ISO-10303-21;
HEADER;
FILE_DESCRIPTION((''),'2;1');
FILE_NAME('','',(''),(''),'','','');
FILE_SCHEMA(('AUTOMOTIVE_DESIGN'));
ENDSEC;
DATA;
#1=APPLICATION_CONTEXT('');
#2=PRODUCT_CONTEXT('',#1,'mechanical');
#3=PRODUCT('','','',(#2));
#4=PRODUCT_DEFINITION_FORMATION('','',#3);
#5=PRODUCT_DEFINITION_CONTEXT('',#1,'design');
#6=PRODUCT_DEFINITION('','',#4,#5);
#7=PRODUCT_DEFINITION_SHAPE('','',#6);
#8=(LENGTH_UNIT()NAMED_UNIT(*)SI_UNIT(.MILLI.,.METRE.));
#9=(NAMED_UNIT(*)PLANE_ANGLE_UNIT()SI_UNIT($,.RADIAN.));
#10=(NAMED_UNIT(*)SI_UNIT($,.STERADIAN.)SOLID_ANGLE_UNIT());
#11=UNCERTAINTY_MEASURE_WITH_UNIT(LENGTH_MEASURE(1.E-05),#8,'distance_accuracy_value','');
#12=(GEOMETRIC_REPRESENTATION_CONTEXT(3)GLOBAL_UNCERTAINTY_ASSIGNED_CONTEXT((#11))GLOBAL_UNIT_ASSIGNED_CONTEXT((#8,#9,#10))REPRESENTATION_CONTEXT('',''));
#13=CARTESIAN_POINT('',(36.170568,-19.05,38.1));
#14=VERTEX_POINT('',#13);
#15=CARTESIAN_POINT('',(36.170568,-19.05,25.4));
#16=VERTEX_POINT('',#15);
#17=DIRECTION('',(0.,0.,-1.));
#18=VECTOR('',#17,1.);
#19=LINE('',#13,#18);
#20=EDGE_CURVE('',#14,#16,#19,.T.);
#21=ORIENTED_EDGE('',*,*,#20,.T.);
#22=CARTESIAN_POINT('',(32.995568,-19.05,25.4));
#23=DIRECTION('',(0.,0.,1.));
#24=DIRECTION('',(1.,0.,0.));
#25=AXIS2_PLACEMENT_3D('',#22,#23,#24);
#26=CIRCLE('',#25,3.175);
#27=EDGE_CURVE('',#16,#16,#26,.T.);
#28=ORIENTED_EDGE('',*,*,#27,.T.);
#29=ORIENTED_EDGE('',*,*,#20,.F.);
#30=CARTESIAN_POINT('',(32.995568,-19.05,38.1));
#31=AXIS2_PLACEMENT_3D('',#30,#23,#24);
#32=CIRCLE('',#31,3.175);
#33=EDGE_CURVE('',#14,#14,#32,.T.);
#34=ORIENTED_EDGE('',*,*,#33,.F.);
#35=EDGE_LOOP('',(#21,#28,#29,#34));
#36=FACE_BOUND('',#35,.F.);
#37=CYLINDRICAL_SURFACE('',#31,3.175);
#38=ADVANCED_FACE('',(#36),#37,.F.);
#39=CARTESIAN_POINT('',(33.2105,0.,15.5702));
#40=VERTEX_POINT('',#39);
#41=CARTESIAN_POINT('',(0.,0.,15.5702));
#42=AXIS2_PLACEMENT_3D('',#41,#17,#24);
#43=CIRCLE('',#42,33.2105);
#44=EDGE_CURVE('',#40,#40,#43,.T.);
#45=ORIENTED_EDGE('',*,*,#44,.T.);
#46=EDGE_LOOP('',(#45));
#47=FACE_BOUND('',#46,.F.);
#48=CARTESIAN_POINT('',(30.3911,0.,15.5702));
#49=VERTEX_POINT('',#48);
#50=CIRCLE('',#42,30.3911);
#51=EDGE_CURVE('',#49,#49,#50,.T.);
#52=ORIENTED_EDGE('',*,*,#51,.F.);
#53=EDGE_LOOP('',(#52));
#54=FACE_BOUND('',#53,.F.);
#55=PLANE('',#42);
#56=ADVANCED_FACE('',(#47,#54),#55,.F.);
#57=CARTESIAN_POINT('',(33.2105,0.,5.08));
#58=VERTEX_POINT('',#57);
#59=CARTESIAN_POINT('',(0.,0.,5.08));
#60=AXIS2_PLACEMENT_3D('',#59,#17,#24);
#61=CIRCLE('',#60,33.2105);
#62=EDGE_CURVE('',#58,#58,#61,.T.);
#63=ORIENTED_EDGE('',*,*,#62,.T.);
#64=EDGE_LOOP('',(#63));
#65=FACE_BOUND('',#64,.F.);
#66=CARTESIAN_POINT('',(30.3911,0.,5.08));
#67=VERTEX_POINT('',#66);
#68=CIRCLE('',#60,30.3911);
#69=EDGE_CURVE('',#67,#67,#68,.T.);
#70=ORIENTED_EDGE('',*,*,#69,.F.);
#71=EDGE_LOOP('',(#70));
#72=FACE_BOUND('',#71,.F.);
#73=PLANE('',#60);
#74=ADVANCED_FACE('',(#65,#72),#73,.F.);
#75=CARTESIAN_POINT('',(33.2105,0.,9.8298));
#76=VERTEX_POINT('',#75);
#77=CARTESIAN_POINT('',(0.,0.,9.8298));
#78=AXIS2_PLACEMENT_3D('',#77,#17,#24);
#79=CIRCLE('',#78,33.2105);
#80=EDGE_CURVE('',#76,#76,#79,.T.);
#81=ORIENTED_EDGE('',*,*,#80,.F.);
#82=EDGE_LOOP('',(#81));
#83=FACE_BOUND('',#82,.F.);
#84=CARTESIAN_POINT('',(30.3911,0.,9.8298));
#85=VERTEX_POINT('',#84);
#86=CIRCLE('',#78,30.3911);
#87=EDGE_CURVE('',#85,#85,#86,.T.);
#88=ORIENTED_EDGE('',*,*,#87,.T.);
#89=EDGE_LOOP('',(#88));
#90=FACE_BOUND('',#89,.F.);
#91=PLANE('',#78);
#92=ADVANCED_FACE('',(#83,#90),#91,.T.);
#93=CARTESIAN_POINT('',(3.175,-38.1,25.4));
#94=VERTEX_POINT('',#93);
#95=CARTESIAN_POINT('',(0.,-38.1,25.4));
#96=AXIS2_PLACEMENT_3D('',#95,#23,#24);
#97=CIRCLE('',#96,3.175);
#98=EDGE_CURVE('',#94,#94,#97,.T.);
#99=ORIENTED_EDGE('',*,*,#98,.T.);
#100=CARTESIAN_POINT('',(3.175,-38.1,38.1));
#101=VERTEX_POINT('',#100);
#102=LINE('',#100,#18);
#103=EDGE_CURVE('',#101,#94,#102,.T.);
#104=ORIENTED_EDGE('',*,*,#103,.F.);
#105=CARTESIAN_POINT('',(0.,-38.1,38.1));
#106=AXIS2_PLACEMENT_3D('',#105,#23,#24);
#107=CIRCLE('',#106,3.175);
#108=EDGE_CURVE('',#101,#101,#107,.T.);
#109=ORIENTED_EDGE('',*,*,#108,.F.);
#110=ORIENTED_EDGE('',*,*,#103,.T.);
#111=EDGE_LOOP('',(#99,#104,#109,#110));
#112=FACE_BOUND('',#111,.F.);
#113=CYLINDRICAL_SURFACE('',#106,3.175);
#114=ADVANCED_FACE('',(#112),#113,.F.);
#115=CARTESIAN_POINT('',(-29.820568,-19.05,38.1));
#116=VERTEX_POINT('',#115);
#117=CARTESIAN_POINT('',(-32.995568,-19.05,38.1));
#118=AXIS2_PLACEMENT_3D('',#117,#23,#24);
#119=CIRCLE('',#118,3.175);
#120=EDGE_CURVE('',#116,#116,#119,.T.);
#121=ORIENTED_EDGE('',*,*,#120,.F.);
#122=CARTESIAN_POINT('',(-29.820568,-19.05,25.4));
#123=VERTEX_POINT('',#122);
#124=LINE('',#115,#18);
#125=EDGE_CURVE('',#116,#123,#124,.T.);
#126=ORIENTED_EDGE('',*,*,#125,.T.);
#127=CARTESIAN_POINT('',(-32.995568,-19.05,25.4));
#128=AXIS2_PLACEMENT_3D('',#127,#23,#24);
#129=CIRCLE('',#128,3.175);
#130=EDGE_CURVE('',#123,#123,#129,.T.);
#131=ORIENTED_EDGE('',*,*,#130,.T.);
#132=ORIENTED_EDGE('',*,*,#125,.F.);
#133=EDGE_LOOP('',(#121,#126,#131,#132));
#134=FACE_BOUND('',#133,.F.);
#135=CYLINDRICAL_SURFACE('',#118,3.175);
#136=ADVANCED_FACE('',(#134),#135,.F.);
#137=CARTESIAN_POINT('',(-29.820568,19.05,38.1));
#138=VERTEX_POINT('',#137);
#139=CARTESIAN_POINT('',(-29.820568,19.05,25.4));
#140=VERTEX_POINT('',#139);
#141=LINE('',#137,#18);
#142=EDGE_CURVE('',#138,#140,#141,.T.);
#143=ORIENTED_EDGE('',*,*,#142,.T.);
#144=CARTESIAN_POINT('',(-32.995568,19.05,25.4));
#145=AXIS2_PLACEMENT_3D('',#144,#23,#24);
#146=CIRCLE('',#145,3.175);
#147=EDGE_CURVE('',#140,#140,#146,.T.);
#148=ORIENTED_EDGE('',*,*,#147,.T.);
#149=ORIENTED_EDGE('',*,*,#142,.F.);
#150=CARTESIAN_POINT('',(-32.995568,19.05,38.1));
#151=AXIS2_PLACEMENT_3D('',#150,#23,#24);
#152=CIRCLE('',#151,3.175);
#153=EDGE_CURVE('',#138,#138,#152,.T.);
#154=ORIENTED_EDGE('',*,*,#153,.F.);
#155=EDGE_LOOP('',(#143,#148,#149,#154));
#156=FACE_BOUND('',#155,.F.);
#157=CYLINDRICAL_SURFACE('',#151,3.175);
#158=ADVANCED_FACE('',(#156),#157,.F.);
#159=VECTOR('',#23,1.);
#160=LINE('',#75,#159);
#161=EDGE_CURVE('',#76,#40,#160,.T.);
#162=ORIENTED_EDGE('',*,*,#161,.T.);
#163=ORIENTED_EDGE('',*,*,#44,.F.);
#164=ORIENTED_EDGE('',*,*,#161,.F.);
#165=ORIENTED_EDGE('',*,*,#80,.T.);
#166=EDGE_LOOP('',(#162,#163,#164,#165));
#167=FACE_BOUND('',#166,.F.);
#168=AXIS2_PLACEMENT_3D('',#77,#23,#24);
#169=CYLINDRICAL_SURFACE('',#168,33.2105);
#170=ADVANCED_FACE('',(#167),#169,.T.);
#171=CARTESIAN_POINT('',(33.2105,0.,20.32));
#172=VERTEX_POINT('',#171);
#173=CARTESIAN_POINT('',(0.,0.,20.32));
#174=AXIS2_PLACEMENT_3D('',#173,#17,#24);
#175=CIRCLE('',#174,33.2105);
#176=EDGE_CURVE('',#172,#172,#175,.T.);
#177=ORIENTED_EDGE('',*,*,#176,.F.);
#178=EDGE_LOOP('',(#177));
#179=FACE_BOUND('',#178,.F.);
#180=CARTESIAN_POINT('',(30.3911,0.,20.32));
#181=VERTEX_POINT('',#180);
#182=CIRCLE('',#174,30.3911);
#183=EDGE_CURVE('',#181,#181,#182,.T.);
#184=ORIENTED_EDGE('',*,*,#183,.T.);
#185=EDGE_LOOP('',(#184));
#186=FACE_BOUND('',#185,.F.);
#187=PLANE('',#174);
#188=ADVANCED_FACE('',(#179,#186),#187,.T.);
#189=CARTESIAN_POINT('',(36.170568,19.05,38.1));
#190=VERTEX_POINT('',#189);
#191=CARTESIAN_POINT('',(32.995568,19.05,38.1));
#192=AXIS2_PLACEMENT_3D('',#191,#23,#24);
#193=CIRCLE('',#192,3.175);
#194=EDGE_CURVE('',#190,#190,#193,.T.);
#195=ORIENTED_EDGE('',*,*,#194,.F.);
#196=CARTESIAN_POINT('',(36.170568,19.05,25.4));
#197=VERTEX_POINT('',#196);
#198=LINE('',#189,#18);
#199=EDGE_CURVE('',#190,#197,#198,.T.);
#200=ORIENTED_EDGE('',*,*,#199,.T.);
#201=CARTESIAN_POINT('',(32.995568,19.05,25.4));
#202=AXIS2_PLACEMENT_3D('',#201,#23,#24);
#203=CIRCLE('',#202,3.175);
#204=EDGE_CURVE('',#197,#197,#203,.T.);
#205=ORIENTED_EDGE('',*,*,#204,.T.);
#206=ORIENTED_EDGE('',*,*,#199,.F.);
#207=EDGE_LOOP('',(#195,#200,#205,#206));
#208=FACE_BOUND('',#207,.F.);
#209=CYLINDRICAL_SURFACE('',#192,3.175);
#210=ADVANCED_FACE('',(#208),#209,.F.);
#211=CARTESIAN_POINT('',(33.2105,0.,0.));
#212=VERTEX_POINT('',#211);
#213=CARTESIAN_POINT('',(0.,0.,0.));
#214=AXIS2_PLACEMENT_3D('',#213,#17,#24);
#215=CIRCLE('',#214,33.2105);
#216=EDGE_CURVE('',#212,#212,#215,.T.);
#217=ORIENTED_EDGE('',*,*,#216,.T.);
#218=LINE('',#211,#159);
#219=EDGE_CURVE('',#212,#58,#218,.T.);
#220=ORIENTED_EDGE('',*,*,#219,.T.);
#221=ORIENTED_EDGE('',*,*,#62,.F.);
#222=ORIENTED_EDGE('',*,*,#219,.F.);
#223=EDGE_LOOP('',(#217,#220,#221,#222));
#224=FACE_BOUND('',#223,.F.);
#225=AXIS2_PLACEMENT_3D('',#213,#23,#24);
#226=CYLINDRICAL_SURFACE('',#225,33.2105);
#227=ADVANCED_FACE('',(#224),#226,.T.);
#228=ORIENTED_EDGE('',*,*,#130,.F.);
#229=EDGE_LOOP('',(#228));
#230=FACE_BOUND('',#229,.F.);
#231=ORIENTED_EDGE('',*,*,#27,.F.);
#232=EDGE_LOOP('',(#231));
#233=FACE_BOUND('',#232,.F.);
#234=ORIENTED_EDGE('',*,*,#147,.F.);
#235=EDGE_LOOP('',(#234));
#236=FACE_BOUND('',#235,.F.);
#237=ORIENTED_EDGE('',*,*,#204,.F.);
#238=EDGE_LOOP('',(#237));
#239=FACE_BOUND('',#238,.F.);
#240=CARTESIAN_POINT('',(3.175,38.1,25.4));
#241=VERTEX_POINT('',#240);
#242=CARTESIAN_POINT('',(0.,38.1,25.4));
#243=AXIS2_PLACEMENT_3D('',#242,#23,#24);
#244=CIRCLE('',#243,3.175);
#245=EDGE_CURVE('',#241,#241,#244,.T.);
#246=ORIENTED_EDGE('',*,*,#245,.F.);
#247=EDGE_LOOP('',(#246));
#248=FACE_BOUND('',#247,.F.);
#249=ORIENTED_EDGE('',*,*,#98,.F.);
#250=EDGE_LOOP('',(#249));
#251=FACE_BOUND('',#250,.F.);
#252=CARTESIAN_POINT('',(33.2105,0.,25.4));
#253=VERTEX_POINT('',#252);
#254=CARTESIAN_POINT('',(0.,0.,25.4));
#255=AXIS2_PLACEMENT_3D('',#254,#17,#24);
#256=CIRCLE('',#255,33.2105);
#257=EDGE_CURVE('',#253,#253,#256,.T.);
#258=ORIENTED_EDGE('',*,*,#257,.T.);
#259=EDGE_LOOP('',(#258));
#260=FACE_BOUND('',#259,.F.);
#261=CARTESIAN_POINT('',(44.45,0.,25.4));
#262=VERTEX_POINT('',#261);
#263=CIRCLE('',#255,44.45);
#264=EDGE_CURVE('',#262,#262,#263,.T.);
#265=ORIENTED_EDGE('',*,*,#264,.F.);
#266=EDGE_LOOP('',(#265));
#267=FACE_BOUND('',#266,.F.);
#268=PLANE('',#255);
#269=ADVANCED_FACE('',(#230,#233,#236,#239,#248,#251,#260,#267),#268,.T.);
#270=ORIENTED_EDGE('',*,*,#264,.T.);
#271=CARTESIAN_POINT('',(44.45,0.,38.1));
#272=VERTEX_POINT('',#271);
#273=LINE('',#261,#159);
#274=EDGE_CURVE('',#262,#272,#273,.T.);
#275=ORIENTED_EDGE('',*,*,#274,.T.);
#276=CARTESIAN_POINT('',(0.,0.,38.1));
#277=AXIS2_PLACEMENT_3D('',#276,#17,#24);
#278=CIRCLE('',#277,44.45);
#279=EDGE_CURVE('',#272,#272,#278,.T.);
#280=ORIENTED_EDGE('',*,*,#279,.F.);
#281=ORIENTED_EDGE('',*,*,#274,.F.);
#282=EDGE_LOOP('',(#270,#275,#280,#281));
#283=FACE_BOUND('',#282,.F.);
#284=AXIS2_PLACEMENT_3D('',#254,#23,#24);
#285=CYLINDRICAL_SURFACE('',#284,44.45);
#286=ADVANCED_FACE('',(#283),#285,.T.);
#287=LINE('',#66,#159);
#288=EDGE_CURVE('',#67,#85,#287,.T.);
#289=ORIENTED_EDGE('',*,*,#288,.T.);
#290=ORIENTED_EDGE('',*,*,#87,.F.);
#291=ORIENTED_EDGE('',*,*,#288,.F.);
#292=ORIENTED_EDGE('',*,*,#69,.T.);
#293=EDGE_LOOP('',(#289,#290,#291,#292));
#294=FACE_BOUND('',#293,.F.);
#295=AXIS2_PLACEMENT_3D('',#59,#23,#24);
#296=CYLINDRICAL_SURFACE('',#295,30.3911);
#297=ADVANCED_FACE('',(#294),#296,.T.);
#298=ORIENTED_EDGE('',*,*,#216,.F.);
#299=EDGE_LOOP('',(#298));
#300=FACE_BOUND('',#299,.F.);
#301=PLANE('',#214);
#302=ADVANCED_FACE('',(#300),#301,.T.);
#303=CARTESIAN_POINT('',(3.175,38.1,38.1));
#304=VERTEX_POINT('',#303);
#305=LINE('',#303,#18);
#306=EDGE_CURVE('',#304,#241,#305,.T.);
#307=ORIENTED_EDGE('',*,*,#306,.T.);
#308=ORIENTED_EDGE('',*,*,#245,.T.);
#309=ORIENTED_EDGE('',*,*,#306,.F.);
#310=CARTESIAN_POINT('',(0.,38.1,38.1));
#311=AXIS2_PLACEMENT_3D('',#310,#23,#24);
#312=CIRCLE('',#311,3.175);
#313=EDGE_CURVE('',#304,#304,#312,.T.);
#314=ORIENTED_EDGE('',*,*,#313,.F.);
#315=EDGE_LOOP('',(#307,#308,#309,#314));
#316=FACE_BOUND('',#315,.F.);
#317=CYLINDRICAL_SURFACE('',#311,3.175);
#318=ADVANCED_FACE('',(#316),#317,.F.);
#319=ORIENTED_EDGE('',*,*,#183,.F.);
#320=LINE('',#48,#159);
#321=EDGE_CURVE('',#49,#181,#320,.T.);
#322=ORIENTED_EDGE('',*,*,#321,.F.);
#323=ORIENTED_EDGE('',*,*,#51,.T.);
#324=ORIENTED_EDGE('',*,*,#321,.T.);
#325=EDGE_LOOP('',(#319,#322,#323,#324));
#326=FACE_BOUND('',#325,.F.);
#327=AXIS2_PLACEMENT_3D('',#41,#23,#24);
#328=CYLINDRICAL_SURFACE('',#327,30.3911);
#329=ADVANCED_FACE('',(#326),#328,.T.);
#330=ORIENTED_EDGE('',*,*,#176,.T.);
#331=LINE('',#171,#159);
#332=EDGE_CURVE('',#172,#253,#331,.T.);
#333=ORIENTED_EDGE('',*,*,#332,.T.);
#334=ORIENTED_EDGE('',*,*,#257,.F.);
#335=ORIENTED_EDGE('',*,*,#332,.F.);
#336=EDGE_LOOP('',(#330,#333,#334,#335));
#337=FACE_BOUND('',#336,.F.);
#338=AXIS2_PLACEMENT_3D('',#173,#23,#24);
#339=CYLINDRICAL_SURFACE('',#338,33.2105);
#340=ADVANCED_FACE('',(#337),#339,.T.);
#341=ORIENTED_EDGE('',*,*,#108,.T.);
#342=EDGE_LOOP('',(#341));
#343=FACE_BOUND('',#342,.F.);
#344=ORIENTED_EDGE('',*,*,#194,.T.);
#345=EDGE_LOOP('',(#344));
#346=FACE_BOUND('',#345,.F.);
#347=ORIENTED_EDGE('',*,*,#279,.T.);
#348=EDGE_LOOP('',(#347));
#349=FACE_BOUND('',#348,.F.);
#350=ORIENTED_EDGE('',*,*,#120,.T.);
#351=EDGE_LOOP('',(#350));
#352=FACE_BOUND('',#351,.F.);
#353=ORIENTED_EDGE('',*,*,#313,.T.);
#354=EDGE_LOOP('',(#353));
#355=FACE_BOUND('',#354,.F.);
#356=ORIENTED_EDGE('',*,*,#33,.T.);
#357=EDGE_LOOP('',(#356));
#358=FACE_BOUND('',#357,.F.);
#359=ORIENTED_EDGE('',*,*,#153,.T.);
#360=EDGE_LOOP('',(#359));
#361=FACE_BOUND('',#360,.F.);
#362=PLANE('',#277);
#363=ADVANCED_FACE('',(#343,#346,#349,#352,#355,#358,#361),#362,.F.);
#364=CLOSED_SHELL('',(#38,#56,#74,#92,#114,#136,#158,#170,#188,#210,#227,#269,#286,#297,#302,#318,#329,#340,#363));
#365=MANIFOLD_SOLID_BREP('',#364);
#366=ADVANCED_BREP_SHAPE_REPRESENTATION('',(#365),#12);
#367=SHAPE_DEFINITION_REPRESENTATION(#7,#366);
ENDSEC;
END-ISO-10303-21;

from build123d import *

# Parameters (mm, degrees)
F3_R     = 3.175
F4_DEPTH = 25.4


with BuildPart() as f2:
    # F0 (on Front) → F2 (revolve)
    with BuildSketch(Plane.XZ):
        Polygon((44.45, 38.1), (0, 38.1), (0, 0), (33.2105, 0), (33.2105, 5.08), (30.3911, 5.08), (30.3911, 9.8298), (33.2105, 9.8298), (33.2105, 15.5702), (30.3911, 15.5702), (30.3911, 20.32), (33.2105, 20.32), (33.2105, 25.4), (44.45, 25.4), align=None)
    revolve(axis=Axis((0, 0, 36.677974), (0, 0, -1)))

    # F3 (on face) → F4 (cut)
    with BuildSketch(Plane.XY.offset(38.1)):
        with Locations((0, -38.1)):
            Circle(F3_R)
        with Locations((32.995568, -19.05)):
            Circle(F3_R)
        with Locations((32.995568, 19.05)):
            Circle(F3_R)
        with Locations((0, 38.1)):
            Circle(F3_R)
        with Locations((-32.995568, 19.05)):
            Circle(F3_R)
        with Locations((-32.995568, -19.05)):
            Circle(F3_R)
    extrude(amount=-F4_DEPTH, mode=Mode.SUBTRACT)


solid = f2.part
